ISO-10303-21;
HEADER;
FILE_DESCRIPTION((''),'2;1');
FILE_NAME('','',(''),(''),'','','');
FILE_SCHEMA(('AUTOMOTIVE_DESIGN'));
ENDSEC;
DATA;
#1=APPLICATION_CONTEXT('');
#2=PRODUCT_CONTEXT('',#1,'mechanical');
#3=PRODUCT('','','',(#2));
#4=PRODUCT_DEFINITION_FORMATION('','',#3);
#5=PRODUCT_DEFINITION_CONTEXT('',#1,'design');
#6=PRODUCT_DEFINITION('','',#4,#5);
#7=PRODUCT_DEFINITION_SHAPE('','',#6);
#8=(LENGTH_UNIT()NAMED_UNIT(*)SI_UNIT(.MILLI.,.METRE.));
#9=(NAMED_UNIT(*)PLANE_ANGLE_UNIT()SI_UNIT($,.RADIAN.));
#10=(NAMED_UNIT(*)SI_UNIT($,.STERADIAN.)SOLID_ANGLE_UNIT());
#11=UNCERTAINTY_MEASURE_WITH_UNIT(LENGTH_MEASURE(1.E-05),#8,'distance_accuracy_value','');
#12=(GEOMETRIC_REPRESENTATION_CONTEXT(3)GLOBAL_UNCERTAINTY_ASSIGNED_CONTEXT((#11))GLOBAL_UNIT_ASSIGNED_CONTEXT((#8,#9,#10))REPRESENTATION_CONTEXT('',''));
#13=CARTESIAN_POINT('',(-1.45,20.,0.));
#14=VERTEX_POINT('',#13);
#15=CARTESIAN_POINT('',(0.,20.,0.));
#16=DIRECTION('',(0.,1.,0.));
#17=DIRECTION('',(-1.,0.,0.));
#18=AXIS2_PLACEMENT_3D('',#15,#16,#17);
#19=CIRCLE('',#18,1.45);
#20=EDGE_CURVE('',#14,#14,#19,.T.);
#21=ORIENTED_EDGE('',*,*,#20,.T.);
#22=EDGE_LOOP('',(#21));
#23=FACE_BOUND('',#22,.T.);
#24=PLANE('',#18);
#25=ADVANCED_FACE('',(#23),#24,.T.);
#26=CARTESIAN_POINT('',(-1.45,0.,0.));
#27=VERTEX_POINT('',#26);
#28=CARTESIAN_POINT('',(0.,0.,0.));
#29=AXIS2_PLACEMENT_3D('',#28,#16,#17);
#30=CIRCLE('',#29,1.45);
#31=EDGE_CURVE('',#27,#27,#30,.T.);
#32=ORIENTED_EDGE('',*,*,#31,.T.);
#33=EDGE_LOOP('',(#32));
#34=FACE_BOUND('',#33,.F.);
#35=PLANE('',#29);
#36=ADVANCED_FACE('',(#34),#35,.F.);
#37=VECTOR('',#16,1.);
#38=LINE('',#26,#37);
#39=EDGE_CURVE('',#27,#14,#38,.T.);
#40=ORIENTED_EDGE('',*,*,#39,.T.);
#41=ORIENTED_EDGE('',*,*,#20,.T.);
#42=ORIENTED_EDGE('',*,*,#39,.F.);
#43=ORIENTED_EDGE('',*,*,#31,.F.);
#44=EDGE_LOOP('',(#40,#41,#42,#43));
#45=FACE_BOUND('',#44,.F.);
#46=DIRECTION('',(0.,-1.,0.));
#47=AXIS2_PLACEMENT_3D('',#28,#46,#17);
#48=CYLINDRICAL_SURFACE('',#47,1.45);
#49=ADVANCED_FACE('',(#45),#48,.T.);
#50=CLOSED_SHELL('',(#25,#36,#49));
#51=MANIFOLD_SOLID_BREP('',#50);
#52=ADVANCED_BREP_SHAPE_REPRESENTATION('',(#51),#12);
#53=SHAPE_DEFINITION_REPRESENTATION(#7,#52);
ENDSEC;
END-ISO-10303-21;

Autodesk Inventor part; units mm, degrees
ref_plane "YZ Plane" through (0, 0, 0) normal (1, 0, 0) x (0, 1, 0)
ref_plane "XZ Plane" through (0, 0, 0) normal (0, 1, 0) x (-1, 0, 0)
ref_plane "XY Plane" through (0, 0, 0) normal (0, 0, 1) x (1, 0, 0)
sketch "Sketch1" plane through (0, 0, 0) normal (0, 1, 0) x (-1, 0, 0)
  circle A0 centre (0, 0) radius 1.45
  dimension "d0" = 2.9
extrude "Extrusion1" add sketch "Sketch1" along normal blind 20
properties material "Iron, Malleable"
